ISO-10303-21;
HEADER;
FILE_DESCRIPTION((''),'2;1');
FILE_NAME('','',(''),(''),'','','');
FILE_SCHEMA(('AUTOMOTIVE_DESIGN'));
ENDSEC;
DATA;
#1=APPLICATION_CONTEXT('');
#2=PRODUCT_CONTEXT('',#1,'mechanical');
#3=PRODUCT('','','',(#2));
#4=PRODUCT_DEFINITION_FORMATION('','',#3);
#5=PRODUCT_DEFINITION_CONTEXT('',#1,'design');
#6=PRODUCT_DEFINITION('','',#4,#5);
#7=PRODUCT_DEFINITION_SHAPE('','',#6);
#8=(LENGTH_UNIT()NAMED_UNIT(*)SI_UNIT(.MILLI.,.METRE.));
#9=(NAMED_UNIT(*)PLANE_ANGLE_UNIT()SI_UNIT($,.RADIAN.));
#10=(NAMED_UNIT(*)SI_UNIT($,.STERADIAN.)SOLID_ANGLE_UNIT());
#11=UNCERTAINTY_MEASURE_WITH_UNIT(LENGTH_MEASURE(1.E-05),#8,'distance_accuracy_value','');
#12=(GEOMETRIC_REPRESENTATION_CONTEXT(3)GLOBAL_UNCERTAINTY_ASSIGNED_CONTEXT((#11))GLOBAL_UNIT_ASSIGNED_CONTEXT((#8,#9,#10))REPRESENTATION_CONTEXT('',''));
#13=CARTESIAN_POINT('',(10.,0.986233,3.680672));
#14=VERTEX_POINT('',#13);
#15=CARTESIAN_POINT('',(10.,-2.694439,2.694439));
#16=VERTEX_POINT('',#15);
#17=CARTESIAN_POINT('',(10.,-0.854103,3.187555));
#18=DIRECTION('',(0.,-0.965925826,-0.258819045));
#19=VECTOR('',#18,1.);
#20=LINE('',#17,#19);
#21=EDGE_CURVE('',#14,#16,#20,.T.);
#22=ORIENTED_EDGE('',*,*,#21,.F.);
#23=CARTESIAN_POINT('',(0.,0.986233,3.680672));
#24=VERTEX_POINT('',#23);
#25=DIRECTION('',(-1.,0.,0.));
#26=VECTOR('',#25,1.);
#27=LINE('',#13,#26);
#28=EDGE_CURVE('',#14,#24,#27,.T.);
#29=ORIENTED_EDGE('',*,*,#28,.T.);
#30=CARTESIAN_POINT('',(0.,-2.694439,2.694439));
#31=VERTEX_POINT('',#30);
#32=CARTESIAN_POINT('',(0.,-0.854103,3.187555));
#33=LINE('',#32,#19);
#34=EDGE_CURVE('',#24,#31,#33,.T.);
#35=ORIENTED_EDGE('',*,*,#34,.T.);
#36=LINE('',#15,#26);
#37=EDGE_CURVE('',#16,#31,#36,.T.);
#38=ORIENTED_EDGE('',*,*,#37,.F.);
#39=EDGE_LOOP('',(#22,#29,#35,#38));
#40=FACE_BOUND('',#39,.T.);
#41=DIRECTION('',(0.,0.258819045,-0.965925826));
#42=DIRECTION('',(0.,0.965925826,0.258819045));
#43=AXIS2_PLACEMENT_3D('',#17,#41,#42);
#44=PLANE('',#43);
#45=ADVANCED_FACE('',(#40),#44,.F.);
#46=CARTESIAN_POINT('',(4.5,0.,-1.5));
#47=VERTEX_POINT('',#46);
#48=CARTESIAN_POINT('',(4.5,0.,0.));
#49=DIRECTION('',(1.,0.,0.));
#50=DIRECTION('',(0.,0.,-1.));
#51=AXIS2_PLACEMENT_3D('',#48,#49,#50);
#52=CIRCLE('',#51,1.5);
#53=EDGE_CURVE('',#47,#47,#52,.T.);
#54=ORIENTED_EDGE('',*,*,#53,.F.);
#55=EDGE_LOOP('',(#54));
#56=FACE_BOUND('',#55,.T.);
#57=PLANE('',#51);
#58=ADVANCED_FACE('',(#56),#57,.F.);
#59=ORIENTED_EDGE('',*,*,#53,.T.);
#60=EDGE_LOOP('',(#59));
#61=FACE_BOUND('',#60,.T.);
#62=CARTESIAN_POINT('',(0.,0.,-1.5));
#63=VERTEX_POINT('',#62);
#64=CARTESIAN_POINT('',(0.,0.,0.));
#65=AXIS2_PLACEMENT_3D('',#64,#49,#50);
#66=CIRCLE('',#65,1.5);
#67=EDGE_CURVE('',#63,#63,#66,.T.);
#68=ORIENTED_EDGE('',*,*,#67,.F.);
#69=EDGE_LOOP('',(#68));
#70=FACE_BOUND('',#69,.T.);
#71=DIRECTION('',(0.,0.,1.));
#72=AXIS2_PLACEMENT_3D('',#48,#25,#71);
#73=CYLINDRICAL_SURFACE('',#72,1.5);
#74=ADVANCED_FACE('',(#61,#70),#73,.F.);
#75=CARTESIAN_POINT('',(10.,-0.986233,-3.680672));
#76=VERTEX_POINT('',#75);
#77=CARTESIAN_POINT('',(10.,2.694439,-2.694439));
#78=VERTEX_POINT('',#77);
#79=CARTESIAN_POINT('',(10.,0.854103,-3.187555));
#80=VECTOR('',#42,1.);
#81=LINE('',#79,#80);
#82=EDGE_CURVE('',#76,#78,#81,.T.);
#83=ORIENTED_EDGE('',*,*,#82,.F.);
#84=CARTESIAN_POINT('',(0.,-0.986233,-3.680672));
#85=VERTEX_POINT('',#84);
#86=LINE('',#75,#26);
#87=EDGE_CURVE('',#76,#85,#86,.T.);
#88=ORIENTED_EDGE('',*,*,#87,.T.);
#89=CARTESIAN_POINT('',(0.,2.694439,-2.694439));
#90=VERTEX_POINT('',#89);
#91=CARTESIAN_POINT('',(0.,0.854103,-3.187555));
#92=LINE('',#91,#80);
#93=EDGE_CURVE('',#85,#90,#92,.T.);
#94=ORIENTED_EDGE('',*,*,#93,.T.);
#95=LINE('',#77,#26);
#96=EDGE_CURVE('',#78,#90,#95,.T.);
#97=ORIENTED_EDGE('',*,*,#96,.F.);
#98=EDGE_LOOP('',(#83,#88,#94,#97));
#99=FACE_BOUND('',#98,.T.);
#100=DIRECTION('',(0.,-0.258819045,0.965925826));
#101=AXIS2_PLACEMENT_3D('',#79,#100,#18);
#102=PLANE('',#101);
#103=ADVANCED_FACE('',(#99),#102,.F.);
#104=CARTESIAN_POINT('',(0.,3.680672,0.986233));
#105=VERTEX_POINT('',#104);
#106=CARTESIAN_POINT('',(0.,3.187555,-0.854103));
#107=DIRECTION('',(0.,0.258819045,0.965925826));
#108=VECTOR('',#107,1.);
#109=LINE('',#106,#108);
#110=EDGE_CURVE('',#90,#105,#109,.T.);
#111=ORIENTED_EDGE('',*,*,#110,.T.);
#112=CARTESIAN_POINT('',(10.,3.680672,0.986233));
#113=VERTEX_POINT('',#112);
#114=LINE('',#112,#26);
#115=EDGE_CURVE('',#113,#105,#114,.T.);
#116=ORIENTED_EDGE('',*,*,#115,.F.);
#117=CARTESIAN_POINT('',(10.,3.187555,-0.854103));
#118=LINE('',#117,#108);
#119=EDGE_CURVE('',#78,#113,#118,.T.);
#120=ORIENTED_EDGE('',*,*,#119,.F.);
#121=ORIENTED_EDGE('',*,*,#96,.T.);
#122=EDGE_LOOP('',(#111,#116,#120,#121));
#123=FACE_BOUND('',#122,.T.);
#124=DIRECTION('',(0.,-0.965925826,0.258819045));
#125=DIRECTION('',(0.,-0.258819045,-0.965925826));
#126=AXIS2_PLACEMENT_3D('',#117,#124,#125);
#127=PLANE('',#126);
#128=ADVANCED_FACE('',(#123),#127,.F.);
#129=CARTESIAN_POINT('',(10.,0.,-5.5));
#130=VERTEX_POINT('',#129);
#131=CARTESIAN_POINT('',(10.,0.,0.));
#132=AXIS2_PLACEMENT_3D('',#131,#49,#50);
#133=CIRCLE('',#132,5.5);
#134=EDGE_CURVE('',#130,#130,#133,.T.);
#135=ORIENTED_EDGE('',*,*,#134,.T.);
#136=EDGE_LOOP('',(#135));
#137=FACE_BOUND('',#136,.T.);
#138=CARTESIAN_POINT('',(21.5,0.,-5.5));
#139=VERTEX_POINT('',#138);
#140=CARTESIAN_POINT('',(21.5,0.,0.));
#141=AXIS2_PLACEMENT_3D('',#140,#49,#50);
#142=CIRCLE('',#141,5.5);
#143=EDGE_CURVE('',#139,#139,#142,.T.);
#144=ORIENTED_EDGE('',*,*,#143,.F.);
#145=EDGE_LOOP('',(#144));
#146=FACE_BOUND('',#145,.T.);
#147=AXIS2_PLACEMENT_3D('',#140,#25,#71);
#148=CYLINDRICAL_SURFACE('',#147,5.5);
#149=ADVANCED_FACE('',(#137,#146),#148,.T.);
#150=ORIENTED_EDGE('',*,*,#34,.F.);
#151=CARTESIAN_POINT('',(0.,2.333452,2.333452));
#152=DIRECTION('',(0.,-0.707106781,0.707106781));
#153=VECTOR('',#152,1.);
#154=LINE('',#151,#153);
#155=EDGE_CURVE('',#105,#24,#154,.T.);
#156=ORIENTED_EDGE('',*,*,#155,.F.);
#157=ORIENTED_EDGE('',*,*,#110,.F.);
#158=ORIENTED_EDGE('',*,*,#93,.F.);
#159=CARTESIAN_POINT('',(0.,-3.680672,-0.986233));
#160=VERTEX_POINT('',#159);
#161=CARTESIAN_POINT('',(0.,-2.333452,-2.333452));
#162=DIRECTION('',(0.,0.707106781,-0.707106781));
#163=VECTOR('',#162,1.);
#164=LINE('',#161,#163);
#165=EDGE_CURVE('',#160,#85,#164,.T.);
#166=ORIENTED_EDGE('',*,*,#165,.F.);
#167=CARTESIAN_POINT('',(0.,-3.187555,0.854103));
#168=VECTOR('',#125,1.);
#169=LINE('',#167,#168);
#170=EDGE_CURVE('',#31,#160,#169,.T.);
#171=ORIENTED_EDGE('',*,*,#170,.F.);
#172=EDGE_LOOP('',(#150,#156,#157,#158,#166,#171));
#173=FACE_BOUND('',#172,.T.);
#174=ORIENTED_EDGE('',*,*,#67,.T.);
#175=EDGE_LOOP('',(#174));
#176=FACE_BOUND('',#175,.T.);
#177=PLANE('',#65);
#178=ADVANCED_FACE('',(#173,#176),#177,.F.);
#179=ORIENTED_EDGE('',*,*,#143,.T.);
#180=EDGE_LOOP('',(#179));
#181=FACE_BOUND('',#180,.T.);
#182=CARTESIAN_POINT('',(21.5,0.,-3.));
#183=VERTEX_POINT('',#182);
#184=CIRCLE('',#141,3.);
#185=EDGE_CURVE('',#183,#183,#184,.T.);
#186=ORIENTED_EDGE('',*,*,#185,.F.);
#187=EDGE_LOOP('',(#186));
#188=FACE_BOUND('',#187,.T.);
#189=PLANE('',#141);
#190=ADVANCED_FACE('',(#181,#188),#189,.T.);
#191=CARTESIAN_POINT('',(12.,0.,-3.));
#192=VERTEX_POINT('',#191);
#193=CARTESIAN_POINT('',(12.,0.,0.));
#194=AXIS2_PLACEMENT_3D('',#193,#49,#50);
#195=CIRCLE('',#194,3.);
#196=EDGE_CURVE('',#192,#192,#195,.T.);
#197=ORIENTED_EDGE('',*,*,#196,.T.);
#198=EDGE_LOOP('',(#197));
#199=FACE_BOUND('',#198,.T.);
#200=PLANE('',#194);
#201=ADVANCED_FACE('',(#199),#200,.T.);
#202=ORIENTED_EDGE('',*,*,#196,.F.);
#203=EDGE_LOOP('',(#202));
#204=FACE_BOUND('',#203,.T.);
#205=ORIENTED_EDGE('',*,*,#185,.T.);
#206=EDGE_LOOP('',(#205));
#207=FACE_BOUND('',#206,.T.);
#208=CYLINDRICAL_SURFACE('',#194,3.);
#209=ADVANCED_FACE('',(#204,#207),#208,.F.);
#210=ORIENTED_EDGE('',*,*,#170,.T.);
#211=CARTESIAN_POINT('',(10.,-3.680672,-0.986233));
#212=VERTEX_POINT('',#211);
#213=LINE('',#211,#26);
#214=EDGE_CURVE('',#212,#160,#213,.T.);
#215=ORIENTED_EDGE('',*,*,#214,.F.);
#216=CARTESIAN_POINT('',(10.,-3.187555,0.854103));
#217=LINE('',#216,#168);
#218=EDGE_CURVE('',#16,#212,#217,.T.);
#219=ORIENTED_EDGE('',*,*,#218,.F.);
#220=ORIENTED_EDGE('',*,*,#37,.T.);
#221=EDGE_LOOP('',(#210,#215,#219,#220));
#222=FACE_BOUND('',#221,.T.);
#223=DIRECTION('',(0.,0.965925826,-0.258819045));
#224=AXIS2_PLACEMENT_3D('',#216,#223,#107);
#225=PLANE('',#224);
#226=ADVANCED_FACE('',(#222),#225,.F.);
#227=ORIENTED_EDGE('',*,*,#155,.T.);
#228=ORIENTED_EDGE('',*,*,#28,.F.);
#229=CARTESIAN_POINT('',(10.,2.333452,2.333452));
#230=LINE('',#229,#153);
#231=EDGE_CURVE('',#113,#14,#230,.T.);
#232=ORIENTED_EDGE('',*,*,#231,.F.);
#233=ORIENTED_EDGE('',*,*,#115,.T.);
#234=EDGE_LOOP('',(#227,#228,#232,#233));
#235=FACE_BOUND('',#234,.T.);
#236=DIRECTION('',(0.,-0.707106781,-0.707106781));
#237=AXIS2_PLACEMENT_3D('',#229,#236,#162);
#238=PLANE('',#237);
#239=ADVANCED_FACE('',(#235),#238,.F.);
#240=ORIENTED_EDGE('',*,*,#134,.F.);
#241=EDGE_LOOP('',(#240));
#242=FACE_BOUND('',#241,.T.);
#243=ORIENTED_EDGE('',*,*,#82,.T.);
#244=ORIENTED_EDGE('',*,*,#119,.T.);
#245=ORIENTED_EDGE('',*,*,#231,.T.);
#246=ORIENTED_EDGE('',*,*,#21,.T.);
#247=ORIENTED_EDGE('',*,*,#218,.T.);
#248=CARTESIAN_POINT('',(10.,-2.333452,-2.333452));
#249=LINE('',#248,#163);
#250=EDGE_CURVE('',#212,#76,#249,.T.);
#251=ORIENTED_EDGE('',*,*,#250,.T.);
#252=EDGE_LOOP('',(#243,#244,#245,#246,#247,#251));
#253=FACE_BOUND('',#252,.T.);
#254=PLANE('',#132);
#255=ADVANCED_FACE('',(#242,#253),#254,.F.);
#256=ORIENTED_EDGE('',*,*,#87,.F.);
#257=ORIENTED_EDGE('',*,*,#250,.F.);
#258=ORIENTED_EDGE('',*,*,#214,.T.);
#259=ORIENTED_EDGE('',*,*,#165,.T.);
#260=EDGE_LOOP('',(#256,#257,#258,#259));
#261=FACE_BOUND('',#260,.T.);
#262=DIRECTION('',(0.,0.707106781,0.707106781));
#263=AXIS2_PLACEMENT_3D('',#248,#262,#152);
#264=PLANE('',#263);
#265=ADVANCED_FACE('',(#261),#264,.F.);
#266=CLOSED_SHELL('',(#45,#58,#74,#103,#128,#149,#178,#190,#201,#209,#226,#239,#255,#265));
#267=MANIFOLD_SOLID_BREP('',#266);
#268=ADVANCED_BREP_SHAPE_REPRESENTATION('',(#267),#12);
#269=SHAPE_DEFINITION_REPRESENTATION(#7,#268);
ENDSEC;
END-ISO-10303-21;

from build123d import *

# Parameters (mm, degrees)
EXTRUDE_1_DEPTH     = 10
SKETCH_2_3_R        = 1.5
CUT_EXTRUDE_1_DEPTH = 4.5
SKETCH_3_R          = 5.5
EXTRUDE_2_DEPTH     = 11.5
SKETCH_4_R          = 3
CUT_EXTRUDE_2_DEPTH = 9.5


with BuildPart() as part:
    # 草图2 → 凸台-拉伸1 (new body)
    with BuildSketch(Plane(origin=(0, 0, 0), x_dir=(0, 0, -1), z_dir=(1, 0, 0))):
        Polygon((3.680671736, -0.986233019), (2.694438717, 2.694438717), (-0.986233019, 3.680671736), (-3.680671736, 0.986233019), (-2.694438717, -2.694438717), (0.986233019, -3.680671736), align=None)
    extrude(amount=EXTRUDE_1_DEPTH)

    # 草图2<3> → 切除-拉伸1 (cut)
    with BuildSketch(Plane(origin=(0, 0, 0), x_dir=(0, 0, -1), z_dir=(1, 0, 0))):
        Circle(SKETCH_2_3_R)
    extrude(amount=CUT_EXTRUDE_1_DEPTH, mode=Mode.SUBTRACT)

    # 草图3 → 凸台-拉伸2 (add)
    with BuildSketch(Plane(origin=(10, 0, 0), x_dir=(0, 0, -1), z_dir=(1, 0, 0))):
        Circle(SKETCH_3_R)
    extrude(amount=EXTRUDE_2_DEPTH)

    # 草图4 → 切除-拉伸2 (cut)
    with BuildSketch(Plane(origin=(21.5, 0, 0), x_dir=(0, 0, -1), z_dir=(1, 0, 0))):
        Circle(SKETCH_4_R)
    extrude(amount=-CUT_EXTRUDE_2_DEPTH, mode=Mode.SUBTRACT)


solid = part.part
